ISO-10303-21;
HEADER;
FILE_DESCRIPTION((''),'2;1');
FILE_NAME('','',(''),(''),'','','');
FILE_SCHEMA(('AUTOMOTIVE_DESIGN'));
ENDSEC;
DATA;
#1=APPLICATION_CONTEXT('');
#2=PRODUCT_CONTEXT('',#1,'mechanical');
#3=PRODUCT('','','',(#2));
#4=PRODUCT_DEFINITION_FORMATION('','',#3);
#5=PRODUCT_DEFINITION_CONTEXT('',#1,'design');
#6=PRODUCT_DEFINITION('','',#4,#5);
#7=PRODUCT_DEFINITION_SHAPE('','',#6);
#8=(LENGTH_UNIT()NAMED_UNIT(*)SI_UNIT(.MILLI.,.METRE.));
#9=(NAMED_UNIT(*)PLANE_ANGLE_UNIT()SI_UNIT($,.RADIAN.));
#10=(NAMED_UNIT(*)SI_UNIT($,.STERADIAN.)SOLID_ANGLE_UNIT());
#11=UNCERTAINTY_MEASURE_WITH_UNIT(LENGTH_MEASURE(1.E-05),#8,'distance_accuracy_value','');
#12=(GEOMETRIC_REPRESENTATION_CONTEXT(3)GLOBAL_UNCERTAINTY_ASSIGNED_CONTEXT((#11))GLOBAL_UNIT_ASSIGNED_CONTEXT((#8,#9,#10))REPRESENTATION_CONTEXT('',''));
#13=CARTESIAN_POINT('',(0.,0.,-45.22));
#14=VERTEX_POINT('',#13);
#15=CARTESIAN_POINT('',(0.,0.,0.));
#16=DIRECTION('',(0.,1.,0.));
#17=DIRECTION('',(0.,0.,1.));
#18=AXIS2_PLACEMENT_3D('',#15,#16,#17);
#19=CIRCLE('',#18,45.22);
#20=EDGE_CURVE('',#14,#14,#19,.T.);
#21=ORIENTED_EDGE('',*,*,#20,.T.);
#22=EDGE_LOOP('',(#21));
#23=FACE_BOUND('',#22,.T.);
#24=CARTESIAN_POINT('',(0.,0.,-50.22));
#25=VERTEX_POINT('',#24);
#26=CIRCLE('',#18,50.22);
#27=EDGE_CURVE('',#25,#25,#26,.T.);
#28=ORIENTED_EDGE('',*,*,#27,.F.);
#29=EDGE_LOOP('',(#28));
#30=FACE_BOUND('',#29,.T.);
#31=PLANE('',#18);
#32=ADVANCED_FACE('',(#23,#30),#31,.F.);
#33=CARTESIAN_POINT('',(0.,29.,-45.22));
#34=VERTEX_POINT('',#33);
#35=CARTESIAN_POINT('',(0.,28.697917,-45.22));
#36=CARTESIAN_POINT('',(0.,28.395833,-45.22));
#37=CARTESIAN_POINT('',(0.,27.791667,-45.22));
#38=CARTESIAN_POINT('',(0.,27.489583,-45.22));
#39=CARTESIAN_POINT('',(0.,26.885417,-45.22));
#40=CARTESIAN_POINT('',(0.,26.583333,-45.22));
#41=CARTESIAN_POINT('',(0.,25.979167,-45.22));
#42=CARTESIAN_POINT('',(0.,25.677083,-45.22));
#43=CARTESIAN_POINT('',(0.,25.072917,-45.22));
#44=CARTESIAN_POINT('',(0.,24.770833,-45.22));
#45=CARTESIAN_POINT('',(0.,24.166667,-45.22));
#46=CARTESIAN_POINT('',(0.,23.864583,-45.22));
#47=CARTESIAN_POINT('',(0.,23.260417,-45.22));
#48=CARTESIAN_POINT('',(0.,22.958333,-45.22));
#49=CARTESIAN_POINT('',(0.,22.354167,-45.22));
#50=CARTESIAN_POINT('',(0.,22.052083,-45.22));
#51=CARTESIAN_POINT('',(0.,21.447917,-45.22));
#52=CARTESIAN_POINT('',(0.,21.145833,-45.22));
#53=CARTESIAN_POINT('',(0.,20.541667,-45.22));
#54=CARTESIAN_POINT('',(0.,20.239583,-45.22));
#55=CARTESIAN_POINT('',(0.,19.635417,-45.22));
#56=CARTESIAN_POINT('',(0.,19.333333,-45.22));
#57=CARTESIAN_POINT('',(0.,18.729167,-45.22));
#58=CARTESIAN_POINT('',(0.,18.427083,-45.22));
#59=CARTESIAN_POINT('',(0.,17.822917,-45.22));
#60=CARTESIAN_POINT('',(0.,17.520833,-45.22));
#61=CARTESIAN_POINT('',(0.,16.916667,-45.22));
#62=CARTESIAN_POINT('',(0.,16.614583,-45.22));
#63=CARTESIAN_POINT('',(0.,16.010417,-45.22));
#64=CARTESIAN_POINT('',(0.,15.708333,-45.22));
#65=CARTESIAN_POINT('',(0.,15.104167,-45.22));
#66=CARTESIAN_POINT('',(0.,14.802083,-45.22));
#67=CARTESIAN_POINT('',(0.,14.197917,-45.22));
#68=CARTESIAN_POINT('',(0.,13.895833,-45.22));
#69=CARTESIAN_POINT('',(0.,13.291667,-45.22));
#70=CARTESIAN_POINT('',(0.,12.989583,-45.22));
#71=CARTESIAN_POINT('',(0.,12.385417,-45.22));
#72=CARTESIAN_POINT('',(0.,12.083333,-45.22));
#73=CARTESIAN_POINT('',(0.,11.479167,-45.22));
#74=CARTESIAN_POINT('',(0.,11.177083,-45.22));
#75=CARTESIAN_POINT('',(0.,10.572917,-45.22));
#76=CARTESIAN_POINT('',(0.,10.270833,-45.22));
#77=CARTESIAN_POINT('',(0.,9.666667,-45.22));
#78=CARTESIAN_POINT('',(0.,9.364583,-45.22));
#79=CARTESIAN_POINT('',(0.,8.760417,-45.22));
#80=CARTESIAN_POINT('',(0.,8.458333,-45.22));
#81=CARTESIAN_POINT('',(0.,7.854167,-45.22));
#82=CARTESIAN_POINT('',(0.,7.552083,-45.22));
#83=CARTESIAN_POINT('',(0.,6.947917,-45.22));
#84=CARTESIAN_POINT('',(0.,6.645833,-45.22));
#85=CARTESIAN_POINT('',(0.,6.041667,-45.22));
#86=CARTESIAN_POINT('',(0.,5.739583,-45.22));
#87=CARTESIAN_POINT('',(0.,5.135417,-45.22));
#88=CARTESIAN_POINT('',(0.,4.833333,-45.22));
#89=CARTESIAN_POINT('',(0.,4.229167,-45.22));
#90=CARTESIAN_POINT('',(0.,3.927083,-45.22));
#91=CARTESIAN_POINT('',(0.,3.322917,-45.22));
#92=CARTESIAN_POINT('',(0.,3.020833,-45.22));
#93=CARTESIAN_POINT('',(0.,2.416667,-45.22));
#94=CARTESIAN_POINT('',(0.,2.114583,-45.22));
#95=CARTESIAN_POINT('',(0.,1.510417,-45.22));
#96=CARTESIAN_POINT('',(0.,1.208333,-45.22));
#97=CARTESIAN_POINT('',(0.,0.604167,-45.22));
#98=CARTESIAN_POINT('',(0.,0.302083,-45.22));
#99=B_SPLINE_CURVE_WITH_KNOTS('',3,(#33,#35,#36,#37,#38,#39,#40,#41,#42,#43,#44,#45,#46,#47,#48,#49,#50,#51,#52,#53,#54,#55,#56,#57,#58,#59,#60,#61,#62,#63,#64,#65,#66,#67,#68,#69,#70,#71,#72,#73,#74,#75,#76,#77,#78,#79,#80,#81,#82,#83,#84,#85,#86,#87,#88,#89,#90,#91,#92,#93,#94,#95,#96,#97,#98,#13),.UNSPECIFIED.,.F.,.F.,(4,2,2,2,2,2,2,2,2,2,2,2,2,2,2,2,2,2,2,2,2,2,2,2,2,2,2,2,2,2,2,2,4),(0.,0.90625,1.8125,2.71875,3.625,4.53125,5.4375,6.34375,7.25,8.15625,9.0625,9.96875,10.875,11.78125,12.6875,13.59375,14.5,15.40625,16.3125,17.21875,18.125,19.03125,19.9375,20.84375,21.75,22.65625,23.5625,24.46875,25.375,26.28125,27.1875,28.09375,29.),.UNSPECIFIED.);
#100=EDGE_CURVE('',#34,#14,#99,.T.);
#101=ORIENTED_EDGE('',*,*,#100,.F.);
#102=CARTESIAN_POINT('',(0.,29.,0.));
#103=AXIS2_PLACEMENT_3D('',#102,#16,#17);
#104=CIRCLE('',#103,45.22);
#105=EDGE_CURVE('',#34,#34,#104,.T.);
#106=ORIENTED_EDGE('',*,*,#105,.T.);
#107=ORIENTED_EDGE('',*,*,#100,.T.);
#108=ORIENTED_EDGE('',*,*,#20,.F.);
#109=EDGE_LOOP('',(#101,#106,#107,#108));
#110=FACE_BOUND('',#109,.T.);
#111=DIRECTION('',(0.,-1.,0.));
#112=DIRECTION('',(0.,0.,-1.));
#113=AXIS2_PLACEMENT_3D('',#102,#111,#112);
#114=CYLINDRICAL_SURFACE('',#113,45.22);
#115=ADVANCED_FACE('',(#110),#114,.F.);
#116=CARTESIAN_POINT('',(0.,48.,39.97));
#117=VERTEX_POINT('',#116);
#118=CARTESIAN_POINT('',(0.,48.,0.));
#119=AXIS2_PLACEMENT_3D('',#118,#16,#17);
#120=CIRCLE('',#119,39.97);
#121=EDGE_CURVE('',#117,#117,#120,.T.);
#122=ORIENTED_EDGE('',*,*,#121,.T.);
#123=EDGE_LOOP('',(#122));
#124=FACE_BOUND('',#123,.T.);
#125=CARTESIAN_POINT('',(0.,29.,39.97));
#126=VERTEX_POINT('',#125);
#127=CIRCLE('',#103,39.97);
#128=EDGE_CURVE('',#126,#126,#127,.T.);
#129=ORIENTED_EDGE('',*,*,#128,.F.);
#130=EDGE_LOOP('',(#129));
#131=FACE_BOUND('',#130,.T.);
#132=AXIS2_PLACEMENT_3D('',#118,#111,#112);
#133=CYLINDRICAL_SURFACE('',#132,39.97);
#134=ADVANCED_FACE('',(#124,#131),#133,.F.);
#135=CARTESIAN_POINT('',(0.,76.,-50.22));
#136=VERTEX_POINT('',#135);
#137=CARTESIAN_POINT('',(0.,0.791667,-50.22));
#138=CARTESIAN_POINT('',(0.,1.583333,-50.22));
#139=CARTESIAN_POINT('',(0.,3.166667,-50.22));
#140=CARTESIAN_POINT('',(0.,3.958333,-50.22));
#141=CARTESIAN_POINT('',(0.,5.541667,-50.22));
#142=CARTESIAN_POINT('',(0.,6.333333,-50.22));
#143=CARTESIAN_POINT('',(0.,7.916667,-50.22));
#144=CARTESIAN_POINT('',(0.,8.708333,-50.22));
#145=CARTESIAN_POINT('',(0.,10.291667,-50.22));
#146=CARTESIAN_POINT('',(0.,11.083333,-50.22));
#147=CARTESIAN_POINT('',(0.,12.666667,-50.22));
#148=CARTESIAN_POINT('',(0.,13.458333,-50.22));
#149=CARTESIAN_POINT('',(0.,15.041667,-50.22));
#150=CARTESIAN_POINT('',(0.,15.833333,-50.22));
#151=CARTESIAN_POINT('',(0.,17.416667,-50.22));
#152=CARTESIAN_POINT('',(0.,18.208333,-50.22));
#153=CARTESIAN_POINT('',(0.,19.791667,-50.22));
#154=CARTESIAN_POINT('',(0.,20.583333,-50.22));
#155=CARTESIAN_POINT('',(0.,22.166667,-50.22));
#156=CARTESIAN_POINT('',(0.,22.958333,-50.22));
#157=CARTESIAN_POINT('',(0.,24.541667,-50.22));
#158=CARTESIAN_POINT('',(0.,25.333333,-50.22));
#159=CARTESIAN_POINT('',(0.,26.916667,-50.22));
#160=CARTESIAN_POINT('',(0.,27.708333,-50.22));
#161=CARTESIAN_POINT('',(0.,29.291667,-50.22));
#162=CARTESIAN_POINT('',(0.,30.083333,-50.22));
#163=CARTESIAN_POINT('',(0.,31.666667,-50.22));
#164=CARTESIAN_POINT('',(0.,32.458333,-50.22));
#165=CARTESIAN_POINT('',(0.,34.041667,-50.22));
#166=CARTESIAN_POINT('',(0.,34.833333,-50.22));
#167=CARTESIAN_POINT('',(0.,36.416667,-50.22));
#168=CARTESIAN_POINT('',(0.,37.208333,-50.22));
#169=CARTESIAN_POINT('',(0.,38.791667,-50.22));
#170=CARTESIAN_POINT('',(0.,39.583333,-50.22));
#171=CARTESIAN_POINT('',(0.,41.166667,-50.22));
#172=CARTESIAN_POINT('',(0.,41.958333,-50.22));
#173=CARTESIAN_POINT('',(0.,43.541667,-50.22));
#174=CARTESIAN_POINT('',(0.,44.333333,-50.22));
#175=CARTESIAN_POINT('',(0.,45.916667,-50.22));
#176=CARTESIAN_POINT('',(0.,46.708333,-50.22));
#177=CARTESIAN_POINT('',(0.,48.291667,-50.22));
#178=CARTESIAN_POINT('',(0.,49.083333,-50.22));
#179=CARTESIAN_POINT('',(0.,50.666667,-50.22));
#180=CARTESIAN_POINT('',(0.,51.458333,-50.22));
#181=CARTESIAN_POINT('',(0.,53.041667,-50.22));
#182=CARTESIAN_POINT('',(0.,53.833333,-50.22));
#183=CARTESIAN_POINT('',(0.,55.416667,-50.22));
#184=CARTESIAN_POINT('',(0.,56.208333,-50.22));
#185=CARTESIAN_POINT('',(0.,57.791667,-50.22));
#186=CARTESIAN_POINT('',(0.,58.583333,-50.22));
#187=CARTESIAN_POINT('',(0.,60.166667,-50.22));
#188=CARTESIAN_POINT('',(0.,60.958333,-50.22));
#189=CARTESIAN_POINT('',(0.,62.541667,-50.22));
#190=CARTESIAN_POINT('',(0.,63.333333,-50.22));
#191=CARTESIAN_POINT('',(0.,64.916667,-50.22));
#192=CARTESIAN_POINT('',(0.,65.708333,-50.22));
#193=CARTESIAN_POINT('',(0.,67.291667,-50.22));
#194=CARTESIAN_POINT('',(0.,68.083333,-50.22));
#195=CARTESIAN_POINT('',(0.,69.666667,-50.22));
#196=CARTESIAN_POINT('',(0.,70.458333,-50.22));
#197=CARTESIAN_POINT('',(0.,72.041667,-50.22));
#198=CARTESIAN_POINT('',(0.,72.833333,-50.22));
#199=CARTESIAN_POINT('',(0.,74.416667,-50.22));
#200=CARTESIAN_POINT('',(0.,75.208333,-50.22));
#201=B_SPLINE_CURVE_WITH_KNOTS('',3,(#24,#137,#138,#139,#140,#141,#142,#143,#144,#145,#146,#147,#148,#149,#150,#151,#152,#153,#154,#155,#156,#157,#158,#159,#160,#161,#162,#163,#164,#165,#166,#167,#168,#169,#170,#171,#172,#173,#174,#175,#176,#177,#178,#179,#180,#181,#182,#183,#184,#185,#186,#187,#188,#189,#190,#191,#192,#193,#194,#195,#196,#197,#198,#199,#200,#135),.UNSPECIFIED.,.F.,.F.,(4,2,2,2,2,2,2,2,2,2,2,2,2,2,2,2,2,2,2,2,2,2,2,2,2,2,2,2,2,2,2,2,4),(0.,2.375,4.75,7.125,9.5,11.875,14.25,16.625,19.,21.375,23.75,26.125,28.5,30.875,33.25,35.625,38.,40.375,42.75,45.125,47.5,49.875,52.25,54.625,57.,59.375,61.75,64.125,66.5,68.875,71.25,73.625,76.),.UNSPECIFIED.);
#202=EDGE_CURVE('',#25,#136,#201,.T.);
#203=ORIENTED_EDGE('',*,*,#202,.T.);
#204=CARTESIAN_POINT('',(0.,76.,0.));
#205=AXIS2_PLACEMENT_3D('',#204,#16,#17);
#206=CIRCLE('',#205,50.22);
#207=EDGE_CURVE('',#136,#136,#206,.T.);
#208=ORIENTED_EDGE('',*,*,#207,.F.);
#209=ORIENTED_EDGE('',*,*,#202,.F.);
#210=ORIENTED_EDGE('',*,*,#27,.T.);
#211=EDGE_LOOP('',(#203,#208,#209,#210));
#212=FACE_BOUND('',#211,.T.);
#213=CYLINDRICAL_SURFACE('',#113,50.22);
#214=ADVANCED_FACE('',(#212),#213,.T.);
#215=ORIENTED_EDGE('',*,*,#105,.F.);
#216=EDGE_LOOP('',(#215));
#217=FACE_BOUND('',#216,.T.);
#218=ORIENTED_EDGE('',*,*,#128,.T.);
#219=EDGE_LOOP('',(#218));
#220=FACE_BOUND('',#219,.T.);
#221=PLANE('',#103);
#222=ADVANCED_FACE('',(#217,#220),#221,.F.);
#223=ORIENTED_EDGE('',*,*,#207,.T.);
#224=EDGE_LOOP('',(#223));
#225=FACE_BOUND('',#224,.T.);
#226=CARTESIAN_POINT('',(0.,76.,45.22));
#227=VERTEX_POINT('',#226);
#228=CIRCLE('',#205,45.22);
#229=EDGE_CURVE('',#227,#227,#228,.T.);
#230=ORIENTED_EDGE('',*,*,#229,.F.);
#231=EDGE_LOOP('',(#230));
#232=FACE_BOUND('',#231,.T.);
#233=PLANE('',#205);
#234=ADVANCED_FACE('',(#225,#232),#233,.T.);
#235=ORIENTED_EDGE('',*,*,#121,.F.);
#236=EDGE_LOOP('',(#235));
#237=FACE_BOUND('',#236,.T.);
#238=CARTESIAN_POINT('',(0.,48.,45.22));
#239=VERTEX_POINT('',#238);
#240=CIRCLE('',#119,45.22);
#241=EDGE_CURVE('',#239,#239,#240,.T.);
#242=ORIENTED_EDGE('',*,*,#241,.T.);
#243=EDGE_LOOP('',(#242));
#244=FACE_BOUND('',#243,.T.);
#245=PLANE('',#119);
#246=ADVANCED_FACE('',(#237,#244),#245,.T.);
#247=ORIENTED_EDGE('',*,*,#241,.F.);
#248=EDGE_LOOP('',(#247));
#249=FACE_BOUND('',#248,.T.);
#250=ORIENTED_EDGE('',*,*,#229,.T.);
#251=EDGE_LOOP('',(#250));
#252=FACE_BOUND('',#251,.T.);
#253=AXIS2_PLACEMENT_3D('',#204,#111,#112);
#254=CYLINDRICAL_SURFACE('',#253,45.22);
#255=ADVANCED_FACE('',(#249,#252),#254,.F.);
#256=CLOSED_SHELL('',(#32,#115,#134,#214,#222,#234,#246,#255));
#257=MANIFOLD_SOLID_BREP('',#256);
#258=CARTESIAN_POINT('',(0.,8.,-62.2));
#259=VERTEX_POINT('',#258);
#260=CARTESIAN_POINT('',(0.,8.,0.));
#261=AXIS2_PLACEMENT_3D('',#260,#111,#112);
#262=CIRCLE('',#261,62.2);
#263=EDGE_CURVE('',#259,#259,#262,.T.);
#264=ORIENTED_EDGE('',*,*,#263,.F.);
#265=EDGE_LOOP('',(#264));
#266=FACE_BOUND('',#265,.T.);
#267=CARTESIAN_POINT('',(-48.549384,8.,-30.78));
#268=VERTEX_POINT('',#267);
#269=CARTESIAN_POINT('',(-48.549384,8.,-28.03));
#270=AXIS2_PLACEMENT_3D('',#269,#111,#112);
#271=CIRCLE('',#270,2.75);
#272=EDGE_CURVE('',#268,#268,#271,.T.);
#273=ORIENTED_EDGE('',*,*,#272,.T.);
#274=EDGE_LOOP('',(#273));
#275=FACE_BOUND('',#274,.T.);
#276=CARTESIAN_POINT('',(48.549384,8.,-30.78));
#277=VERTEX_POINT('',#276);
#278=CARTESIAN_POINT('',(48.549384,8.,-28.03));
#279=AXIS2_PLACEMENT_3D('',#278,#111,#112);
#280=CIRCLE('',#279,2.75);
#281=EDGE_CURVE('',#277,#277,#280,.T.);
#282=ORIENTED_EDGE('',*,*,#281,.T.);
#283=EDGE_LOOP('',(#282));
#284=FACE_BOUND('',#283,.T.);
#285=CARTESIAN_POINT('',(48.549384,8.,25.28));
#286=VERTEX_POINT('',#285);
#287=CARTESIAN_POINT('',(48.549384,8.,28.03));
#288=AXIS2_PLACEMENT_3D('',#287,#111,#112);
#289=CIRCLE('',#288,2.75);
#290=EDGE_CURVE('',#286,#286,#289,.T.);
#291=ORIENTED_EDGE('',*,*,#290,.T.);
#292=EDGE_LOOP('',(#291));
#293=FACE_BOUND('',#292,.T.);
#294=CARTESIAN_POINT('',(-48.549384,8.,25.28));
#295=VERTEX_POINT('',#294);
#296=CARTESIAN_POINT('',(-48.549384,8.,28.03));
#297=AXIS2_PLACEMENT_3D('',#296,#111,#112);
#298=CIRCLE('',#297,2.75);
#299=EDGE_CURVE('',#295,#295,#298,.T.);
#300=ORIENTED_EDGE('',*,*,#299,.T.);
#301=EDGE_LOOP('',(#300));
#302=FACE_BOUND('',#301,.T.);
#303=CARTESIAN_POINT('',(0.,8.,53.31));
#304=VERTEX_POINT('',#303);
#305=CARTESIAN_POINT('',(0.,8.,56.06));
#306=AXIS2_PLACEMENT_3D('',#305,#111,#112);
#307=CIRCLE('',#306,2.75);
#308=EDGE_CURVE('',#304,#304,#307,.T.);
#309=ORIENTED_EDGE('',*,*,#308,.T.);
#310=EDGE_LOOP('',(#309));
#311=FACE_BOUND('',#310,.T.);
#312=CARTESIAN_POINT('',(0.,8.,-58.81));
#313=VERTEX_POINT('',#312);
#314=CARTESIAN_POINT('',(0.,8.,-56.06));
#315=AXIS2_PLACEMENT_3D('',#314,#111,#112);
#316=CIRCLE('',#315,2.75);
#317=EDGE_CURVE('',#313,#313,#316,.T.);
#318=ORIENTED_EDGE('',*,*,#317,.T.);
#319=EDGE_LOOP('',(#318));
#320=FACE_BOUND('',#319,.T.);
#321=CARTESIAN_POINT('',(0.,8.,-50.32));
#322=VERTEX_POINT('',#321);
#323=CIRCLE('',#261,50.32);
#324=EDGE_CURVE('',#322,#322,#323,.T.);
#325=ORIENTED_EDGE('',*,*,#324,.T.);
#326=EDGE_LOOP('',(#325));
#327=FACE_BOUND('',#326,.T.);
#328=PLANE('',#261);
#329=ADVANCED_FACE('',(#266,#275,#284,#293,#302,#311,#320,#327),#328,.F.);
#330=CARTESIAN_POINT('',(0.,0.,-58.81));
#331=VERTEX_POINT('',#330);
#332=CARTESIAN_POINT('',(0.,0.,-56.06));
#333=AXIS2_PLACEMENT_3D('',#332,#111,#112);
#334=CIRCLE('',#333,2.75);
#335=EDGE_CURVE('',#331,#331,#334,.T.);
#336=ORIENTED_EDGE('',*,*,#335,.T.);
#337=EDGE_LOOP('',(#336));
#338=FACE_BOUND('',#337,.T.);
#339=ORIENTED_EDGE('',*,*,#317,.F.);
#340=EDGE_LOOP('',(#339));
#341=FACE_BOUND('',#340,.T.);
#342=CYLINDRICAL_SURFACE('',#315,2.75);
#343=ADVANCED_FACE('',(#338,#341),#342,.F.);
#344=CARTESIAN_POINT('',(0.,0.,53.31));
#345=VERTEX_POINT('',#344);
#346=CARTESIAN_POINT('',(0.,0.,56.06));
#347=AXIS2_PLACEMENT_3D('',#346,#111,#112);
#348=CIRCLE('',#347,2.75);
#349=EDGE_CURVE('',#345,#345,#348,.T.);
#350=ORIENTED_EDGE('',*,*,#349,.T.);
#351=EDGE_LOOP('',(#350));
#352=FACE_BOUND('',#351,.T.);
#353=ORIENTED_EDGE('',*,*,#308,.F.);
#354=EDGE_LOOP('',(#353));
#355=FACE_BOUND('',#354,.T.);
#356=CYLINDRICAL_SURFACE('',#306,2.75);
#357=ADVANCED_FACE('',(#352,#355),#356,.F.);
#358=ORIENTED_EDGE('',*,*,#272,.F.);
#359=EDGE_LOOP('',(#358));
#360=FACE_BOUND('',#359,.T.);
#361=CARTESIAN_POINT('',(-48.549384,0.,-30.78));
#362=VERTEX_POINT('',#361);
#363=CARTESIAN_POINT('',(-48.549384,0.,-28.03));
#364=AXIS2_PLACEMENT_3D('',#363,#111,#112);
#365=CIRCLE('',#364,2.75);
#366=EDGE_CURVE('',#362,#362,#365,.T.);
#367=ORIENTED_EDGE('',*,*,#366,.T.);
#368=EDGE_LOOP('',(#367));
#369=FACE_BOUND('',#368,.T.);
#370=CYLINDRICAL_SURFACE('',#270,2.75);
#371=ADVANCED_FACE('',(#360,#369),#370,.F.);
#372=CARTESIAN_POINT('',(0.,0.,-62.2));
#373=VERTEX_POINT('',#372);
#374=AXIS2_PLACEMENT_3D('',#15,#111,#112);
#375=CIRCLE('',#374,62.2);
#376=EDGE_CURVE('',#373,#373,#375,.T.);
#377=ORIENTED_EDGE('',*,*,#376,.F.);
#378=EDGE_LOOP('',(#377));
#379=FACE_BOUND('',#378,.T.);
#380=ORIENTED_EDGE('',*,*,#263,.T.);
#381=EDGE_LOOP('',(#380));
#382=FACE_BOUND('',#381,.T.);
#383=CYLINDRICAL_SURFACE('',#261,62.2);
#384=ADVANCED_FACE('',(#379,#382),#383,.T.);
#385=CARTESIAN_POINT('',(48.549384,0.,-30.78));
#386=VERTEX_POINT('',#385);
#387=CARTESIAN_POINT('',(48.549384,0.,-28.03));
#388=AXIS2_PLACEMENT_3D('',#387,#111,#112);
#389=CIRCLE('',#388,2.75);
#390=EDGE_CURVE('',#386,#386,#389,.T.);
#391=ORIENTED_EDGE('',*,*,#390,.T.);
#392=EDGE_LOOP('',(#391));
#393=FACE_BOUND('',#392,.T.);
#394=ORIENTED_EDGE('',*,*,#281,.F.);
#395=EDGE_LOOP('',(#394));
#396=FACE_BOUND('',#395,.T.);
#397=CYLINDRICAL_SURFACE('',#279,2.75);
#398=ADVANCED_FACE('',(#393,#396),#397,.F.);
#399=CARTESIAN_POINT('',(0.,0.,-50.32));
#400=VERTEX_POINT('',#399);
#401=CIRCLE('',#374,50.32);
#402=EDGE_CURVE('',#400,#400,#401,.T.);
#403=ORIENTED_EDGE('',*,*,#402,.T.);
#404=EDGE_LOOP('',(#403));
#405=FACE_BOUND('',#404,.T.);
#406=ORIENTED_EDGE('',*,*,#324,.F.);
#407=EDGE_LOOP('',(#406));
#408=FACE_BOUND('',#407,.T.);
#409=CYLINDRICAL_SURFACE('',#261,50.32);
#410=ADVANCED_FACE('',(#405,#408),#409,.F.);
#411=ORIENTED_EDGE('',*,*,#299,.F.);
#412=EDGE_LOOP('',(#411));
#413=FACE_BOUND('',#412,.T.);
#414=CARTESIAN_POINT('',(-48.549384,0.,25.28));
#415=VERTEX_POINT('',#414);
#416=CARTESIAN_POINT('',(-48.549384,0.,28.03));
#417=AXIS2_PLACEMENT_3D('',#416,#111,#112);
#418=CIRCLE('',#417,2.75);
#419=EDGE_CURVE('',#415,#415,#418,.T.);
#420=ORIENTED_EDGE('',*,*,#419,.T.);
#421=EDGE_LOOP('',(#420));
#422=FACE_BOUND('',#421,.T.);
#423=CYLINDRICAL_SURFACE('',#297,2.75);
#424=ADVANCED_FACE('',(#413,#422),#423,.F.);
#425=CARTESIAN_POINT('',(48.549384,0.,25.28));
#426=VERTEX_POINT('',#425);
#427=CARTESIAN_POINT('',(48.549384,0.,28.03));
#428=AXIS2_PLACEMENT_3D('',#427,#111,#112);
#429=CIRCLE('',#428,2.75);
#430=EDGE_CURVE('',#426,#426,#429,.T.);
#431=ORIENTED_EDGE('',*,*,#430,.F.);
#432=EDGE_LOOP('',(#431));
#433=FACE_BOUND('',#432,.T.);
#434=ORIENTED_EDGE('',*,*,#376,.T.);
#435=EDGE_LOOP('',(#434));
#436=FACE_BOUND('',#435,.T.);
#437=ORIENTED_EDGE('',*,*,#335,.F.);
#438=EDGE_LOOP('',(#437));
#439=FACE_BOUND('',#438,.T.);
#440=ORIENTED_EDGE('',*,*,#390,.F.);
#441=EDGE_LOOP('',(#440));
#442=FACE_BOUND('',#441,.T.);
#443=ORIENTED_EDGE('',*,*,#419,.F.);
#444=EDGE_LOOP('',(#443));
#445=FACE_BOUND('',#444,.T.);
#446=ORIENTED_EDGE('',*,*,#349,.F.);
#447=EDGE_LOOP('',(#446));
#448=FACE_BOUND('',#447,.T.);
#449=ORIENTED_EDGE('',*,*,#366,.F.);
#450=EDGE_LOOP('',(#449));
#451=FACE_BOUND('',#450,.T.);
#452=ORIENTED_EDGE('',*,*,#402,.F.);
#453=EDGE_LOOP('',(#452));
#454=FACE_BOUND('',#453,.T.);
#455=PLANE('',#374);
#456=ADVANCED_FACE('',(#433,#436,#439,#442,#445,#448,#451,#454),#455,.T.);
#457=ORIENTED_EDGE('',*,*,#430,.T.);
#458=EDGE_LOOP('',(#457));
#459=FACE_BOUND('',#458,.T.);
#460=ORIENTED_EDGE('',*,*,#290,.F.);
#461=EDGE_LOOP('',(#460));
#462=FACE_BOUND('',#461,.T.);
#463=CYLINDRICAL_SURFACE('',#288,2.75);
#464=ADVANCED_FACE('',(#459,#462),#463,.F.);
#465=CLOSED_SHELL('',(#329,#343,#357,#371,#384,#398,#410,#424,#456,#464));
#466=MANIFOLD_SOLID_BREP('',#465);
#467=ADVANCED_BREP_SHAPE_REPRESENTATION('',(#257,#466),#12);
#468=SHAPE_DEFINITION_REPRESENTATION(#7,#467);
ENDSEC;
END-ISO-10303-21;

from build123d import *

# Parameters (mm, degrees)
SKETCH2_R           = 50.22
SKETCH2_R_2         = 45.22
BOSS_EXTRUDE1_DEPTH = 29
SKETCH3_R           = 50.22
SKETCH3_R_2         = 45.22
SKETCH3_R_3         = 39.97
BOSS_EXTRUDE2_DEPTH = 19
SKETCH4_R           = 50.22
SKETCH4_R_2         = 45.22
BOSS_EXTRUDE3_DEPTH = 28
SKETCH6_R           = 62.2
SKETCH6_R_2         = 50.32
SKETCH6_R_3         = 2.75
BOSS_EXTRUDE4_DEPTH = 8


with BuildPart() as part:
    # Sketch2 → Boss-Extrude1 (new body)
    with BuildSketch(Plane(origin=(0, 0, 0), x_dir=(1, 0, 0), z_dir=(0, 1, 0))):
        with Locations(Location((0, 0, 0), (0, 0, 90))):
            Circle(SKETCH2_R)
        with Locations(Location((0, 0, 0), (0, 0, 90))):
            Circle(SKETCH2_R_2, mode=Mode.SUBTRACT)
    extrude(amount=BOSS_EXTRUDE1_DEPTH)

    # Sketch3 → Boss-Extrude2 (add)
    with BuildSketch(Plane(origin=(0, 29, 0), x_dir=(1, 0, 0), z_dir=(0, 1, 0))):
        with Locations(Location((0, 0, 0), (0, 0, 90))):
            Circle(SKETCH3_R)
        with Locations(Location((0, 0, 0), (0, 0, 90))):
            Circle(SKETCH3_R_2, mode=Mode.SUBTRACT)
        with Locations(Location((0, 0, 0), (0, 0, 90))):
            Circle(SKETCH3_R_2)
        with Locations(Location((0, 0, 0), (0, 0, 270))):
            Circle(SKETCH3_R_3, mode=Mode.SUBTRACT)
    extrude(amount=BOSS_EXTRUDE2_DEPTH)

    # Sketch4 → Boss-Extrude3 (add)
    with BuildSketch(Plane(origin=(0, 48, 0), x_dir=(1, 0, 0), z_dir=(0, 1, 0))):
        with Locations(Location((0, 0, 0), (0, 0, 90))):
            Circle(SKETCH4_R)
        with Locations(Location((0, 0, 0), (0, 0, 90))):
            Circle(SKETCH4_R_2, mode=Mode.SUBTRACT)
    extrude(amount=BOSS_EXTRUDE3_DEPTH)


with BuildPart() as body_2:
    # Sketch6 → Boss-Extrude4 (new body)
    with BuildSketch(Plane.XZ):
        with Locations(Location((0, 0, 0), (0, 0, 270))):
            Circle(SKETCH6_R)
        with Locations(Location((0, 0, 0), (0, 0, 270))):
            Circle(SKETCH6_R_2, mode=Mode.SUBTRACT)
        with Locations(Location((0, 56.06, 0), (0, 0, 270))):
            Circle(SKETCH6_R_3, mode=Mode.SUBTRACT)
        with Locations(Location((-48.549384136, 28.03, 0), (0, 0, 270))):
            Circle(SKETCH6_R_3, mode=Mode.SUBTRACT)
        with Locations(Location((-48.549384136, -28.03, 0), (0, 0, 270))):
            Circle(SKETCH6_R_3, mode=Mode.SUBTRACT)
        with Locations(Location((48.549384136, 28.03, 0), (0, 0, 270))):
            Circle(SKETCH6_R_3, mode=Mode.SUBTRACT)
        with Locations(Location((48.549384136, -28.03, 0), (0, 0, 270))):
            Circle(SKETCH6_R_3, mode=Mode.SUBTRACT)
        with Locations(Location((0, -56.06, 0), (0, 0, 270))):
            Circle(SKETCH6_R_3, mode=Mode.SUBTRACT)
    extrude(amount=-BOSS_EXTRUDE4_DEPTH)


solid = Compound([part.part, body_2.part])
